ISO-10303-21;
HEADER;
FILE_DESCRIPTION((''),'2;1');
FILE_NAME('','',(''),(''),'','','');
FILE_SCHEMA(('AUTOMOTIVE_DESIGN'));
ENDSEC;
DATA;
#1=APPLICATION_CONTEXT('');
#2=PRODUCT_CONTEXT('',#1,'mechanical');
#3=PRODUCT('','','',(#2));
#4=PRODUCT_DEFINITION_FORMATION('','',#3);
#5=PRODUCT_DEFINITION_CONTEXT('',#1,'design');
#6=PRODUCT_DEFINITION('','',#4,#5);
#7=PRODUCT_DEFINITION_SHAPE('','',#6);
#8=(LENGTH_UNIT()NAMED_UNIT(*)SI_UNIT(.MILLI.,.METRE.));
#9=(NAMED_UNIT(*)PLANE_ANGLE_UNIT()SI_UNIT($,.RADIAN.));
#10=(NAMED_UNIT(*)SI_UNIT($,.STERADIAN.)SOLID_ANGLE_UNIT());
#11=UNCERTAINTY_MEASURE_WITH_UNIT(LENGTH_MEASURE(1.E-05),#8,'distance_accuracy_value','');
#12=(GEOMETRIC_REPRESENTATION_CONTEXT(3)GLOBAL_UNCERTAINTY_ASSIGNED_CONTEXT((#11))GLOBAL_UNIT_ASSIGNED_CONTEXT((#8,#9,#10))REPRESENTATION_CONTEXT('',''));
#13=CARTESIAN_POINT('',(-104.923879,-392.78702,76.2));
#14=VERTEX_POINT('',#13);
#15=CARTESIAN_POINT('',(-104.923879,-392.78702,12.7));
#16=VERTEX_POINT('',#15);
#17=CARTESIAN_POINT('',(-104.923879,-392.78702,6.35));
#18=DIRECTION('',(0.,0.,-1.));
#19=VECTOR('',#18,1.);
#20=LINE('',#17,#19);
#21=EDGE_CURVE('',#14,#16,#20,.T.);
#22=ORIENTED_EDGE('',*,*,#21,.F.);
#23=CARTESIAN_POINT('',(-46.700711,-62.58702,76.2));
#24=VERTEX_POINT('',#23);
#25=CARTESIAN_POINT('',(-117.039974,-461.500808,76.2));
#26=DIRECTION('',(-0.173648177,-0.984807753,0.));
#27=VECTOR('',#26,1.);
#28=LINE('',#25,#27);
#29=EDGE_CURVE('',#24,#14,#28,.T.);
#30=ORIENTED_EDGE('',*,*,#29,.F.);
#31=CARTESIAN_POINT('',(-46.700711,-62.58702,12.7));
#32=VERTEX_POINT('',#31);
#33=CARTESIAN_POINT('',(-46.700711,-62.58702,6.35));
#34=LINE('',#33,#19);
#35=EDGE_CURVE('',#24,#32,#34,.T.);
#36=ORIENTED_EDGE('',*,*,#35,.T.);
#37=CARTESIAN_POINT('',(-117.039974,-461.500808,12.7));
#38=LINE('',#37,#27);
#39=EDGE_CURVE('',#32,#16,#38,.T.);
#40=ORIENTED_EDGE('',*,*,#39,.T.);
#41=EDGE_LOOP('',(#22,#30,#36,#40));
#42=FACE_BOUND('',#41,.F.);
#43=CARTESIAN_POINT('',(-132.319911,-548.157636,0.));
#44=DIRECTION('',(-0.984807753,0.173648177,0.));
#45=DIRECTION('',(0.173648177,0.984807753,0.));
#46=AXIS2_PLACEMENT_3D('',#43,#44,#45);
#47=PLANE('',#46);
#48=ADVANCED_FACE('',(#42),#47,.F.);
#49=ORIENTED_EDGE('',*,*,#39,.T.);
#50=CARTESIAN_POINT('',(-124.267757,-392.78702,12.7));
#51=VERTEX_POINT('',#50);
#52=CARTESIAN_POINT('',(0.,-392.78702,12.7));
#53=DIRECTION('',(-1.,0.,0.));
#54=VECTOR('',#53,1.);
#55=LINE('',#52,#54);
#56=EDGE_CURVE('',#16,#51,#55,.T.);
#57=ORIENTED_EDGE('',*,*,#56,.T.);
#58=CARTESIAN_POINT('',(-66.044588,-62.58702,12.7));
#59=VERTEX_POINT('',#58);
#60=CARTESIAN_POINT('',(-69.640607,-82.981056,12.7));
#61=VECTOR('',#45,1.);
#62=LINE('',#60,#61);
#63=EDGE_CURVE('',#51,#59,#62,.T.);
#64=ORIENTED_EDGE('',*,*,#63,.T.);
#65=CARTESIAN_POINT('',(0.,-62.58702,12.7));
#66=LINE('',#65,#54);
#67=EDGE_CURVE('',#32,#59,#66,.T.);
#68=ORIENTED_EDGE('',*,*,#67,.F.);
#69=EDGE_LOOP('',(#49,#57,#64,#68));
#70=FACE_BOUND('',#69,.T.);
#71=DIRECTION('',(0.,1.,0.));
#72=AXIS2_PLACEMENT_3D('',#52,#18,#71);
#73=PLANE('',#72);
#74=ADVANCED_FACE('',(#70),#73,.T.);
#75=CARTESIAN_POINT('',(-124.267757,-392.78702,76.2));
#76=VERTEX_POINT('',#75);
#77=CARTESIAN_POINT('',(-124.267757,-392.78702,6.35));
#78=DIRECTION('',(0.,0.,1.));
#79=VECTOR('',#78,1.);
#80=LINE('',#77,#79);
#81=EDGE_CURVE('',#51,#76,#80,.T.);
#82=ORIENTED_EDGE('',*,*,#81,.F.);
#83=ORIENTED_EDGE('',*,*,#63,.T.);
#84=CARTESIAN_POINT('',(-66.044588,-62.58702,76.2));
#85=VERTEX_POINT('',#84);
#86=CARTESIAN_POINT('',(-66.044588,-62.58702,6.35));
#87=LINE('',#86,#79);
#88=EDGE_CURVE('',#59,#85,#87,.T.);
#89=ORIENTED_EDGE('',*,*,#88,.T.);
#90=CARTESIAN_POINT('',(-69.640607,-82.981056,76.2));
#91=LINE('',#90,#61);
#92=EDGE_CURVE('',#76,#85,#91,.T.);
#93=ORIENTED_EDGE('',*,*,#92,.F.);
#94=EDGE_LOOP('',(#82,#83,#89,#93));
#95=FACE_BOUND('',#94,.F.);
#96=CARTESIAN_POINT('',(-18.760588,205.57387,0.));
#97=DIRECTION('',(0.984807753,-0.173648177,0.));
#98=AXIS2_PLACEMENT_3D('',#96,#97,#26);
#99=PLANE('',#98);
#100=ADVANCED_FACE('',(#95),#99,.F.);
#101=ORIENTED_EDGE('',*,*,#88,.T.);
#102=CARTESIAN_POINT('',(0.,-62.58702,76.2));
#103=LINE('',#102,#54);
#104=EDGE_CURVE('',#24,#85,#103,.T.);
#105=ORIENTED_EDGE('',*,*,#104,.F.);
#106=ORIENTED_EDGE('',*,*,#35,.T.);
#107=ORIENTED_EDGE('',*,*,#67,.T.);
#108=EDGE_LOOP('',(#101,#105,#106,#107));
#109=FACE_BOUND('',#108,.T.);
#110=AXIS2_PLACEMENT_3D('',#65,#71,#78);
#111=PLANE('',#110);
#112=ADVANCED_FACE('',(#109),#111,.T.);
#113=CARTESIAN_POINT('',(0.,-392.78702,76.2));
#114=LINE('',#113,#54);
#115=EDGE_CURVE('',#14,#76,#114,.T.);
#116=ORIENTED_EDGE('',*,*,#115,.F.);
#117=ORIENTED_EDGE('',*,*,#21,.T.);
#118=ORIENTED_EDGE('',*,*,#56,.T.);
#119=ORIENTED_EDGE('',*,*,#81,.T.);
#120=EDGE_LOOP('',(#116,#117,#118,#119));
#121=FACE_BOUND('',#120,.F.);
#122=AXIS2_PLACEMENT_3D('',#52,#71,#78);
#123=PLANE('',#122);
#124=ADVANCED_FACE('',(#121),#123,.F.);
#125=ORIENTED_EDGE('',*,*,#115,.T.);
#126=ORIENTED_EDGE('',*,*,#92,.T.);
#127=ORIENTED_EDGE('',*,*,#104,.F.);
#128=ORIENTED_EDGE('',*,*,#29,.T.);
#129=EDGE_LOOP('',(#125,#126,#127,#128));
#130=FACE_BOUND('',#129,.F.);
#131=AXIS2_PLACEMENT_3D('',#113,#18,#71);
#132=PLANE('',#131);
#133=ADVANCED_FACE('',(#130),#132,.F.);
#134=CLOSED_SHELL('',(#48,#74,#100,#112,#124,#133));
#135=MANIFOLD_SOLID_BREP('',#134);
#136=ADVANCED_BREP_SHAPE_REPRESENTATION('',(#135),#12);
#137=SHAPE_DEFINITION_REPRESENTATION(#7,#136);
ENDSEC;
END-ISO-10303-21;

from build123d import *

# Parameters (mm, degrees)
F1_DEPTH = 203.2
F2_W     = 845.32512
F2_H     = 298.843749
F2_W_2   = 330.2
F2_H_2   = 63.5
F3_DEPTH = 151.081499


with BuildPart() as f1:
    # F0 (on Top) → F1 (new body)
    with BuildSketch(Plane.XY):
        Polygon((-132.319911, -548.157636), (0, 202.265872), (-18.760588, 205.57387), (-151.080499, -544.849638), align=None)
    extrude(amount=F1_DEPTH)

    # F2 (on Right) → F3 (cut, through all)
    with BuildSketch(Plane.YZ):
        with Locations((-172.568742, 98.621874)):
            Rectangle(F2_W, F2_H)
        with Locations((-227.68702, 44.45)):
            Rectangle(F2_W_2, F2_H_2, mode=Mode.SUBTRACT)
    extrude(amount=-F3_DEPTH, mode=Mode.SUBTRACT)


solid = f1.part
